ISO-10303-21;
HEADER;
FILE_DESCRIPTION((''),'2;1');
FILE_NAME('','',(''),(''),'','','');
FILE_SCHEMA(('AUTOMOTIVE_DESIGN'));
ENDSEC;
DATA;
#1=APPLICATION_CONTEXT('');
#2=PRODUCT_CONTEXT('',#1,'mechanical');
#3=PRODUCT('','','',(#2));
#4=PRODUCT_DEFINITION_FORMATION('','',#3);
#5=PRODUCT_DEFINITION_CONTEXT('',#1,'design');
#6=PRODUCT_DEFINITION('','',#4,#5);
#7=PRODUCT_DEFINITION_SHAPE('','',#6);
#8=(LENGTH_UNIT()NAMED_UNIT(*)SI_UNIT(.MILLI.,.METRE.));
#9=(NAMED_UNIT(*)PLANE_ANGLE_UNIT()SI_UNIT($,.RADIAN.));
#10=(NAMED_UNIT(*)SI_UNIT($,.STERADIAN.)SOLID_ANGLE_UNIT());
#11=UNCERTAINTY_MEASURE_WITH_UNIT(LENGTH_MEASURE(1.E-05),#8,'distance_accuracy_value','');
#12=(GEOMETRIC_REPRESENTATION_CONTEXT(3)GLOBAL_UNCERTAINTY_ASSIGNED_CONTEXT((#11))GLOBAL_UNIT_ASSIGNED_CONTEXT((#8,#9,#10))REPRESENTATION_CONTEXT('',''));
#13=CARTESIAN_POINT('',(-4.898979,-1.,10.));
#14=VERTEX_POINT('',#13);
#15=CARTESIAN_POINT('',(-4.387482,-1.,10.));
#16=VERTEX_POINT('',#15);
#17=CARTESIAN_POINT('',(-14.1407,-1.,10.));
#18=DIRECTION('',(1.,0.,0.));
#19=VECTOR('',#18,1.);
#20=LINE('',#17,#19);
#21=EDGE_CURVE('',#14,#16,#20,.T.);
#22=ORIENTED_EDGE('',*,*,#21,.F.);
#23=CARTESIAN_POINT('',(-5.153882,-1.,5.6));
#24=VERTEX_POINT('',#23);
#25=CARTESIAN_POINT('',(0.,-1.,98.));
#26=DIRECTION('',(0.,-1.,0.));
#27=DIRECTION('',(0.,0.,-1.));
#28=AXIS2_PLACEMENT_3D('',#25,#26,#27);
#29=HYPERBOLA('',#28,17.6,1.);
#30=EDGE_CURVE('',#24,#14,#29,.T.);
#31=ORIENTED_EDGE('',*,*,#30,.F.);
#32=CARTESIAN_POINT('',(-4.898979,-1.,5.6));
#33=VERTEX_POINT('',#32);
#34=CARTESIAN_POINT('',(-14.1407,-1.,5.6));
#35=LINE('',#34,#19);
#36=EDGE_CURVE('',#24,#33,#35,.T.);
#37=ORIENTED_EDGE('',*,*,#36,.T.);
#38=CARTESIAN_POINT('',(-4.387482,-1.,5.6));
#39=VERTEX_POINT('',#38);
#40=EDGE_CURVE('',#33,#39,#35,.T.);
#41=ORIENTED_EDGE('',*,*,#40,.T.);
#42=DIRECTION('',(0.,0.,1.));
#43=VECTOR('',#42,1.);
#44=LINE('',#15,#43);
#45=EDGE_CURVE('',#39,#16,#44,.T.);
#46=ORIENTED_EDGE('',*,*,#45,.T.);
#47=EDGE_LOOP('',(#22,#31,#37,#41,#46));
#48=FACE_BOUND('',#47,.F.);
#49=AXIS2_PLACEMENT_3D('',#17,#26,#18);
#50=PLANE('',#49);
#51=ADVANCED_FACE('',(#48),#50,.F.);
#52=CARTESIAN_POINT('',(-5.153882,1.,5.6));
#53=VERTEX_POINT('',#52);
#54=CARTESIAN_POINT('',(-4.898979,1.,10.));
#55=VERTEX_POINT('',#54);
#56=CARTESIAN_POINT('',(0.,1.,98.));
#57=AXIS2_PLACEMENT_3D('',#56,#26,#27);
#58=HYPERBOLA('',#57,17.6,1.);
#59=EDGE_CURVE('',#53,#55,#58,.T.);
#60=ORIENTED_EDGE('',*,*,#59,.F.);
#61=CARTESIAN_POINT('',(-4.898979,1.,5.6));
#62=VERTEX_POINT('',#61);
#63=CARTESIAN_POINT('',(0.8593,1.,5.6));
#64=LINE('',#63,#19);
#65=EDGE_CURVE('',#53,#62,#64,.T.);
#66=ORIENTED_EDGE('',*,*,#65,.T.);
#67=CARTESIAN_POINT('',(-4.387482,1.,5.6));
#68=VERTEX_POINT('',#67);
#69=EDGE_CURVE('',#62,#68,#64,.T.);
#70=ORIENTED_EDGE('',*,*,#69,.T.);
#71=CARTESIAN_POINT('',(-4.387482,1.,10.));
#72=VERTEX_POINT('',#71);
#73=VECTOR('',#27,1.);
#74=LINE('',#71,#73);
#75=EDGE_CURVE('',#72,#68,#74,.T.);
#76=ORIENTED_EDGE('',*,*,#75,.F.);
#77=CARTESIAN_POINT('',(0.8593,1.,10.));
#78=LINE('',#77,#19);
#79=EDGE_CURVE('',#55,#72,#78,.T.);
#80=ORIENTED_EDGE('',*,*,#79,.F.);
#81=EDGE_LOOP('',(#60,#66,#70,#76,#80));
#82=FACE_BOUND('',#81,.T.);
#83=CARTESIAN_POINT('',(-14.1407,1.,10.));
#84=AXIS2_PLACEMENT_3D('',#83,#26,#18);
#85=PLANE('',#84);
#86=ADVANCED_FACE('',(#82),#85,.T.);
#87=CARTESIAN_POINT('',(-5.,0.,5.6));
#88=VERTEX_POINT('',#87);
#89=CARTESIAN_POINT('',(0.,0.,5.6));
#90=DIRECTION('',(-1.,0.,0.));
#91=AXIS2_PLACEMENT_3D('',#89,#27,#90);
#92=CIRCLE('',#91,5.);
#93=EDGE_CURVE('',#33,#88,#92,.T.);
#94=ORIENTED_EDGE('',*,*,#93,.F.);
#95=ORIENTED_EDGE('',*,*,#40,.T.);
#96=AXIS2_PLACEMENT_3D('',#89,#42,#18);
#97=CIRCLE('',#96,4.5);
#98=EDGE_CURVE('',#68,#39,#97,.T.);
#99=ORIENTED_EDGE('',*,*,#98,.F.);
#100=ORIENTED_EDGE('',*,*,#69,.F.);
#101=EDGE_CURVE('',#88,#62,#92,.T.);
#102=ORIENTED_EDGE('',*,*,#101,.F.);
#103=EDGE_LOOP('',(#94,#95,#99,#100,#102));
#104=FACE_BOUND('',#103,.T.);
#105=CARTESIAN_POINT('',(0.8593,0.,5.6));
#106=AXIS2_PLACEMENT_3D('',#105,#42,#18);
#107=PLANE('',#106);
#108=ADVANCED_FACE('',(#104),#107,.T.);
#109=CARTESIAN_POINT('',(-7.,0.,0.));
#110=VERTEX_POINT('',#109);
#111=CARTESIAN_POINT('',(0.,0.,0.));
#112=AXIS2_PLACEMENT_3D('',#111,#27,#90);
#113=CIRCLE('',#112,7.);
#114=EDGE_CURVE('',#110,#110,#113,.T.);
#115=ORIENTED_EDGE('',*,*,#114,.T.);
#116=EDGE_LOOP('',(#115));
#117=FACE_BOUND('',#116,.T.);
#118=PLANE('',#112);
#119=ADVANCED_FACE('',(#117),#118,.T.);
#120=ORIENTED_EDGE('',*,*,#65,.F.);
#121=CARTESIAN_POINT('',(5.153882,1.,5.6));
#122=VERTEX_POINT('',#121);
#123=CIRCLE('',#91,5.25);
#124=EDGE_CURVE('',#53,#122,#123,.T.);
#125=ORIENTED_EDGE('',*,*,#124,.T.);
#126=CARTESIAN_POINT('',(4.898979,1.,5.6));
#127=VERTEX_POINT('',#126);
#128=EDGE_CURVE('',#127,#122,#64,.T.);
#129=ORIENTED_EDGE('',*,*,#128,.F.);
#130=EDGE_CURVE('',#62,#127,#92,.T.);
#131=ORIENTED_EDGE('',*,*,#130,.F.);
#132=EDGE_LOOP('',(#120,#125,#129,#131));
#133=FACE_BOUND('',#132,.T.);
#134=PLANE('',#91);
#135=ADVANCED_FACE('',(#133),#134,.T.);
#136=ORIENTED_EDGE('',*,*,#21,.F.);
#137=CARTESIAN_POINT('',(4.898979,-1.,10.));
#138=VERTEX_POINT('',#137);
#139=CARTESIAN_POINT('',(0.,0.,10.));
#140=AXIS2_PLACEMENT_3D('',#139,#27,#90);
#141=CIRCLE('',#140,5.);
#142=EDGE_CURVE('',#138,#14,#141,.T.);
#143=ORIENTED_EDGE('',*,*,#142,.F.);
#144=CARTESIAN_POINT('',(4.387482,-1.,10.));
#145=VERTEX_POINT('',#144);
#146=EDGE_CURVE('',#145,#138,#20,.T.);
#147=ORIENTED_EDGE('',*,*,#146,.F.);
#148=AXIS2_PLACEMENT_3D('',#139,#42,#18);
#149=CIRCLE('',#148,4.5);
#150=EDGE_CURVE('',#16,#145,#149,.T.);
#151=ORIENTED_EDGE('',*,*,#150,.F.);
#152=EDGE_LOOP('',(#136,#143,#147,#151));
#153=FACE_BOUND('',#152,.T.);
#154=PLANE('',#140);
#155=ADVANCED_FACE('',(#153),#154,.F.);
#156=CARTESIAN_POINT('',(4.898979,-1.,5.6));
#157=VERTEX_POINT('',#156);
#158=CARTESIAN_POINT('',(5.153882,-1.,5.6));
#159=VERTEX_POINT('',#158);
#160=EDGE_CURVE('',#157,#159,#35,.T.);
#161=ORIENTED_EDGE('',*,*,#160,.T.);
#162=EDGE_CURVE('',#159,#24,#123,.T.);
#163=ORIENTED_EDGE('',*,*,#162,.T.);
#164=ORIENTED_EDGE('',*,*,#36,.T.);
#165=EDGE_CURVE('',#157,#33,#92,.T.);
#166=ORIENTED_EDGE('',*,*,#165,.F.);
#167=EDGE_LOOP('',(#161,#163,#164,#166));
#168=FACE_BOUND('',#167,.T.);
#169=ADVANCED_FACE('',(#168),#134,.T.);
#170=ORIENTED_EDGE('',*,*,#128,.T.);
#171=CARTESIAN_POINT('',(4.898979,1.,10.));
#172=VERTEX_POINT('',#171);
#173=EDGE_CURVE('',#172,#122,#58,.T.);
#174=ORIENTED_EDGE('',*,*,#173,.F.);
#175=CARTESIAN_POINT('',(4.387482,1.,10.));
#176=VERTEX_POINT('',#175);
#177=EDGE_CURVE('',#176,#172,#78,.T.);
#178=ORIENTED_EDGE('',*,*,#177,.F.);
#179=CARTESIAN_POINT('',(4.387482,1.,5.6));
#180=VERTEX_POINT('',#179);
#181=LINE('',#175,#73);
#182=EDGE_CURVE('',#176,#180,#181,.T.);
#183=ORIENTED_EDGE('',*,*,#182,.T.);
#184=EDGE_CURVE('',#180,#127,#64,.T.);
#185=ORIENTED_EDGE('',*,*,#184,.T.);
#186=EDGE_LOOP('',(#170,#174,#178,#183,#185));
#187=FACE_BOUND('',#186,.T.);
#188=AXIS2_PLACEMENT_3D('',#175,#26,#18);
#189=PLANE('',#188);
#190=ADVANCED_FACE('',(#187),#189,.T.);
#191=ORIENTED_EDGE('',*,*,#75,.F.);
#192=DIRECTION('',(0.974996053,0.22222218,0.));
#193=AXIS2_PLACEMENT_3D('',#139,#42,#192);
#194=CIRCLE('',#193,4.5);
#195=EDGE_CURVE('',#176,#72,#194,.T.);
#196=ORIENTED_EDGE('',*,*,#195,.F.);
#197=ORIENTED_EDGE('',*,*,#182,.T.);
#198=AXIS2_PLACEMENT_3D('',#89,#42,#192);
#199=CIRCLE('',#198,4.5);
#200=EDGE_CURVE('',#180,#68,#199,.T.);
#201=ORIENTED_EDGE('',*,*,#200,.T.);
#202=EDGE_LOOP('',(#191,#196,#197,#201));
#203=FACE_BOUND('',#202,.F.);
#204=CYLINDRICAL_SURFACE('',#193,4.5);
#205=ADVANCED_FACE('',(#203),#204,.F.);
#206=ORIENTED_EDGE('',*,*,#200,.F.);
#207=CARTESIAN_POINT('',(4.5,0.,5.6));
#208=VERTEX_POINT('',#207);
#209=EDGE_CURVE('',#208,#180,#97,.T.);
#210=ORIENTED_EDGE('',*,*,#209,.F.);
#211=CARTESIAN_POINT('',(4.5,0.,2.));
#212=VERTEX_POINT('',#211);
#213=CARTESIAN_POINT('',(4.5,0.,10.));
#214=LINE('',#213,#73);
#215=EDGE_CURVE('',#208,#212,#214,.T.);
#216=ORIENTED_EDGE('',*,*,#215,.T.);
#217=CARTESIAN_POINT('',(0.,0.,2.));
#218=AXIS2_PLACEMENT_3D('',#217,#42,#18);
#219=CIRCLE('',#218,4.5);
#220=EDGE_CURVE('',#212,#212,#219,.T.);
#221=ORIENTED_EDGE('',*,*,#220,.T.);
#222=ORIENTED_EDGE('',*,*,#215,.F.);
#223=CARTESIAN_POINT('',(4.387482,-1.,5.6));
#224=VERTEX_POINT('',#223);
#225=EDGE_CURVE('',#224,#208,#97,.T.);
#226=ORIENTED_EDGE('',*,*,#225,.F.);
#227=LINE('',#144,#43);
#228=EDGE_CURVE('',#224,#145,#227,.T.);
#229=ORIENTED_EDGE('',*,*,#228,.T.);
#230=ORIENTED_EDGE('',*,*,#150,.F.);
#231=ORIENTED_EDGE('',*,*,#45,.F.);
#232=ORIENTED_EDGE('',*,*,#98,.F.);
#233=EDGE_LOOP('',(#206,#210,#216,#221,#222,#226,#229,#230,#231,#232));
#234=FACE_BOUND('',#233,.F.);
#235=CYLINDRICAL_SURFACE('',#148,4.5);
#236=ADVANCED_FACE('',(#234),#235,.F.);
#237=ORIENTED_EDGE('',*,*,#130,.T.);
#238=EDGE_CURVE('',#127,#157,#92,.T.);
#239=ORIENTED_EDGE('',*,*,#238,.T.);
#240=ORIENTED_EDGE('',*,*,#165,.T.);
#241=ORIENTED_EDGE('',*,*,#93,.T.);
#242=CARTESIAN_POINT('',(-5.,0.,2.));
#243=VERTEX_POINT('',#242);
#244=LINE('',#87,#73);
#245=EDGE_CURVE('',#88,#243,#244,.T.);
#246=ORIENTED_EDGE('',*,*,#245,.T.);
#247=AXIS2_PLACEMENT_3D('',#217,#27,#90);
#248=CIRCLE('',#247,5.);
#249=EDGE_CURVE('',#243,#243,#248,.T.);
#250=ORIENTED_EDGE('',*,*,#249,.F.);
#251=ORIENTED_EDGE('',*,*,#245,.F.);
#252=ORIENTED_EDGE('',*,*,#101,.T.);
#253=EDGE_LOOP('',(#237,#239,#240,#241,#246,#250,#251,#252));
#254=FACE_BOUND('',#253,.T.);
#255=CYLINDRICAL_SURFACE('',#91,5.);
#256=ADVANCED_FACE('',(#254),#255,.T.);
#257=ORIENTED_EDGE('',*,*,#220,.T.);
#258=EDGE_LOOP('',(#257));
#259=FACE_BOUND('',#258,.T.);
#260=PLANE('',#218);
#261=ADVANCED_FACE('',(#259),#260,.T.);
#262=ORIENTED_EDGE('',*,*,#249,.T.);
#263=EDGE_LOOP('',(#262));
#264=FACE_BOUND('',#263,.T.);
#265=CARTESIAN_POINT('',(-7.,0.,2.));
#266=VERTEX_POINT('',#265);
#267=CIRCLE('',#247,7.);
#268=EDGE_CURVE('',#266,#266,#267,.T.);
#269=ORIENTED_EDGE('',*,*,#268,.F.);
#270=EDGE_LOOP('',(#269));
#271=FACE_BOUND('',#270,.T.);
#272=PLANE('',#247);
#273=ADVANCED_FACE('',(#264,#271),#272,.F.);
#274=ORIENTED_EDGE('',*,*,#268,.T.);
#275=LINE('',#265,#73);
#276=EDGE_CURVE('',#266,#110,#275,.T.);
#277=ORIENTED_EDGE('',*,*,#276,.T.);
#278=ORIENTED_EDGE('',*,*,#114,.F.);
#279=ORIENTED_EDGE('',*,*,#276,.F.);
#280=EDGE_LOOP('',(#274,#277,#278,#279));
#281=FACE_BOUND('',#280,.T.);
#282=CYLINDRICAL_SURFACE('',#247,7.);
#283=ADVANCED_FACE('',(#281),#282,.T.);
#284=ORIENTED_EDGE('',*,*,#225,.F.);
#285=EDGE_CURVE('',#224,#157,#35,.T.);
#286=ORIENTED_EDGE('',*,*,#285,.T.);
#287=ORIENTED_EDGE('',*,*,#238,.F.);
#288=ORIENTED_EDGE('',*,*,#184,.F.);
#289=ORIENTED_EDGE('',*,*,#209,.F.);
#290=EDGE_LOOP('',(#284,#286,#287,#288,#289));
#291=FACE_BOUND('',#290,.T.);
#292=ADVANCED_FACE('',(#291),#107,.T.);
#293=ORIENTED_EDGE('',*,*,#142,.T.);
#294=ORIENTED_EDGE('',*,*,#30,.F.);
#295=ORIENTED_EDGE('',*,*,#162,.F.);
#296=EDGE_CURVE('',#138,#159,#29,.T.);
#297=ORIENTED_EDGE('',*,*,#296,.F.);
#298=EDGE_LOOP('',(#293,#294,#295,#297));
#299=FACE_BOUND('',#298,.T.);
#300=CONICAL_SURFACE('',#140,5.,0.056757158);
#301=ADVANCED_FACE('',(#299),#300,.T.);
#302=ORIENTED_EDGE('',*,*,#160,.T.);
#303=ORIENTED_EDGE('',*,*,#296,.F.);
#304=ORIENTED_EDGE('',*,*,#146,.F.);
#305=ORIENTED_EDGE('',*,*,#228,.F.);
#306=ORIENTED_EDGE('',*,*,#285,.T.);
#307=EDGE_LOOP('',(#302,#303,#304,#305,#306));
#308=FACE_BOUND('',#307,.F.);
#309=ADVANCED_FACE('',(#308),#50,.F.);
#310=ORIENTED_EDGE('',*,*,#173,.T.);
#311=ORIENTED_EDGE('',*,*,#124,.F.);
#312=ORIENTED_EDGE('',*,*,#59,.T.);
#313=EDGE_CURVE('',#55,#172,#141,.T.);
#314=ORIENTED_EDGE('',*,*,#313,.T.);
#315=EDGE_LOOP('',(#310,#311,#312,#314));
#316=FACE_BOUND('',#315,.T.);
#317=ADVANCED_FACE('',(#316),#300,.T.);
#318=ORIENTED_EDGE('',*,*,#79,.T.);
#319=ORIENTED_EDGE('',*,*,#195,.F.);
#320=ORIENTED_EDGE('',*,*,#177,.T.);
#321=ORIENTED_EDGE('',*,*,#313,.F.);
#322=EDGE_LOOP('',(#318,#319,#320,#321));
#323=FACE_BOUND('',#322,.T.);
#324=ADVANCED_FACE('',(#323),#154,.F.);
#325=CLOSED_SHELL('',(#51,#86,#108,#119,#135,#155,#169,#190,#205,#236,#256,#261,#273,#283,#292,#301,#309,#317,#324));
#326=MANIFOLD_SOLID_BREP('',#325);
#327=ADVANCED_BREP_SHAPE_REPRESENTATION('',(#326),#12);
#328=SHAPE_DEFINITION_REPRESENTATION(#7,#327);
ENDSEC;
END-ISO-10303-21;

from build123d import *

# Parameters (mm, degrees)
F2_R     = 4.5
F3_DEPTH = 8
F4_W     = 30
F4_H     = 2
F5_DEPTH = 4.4


with BuildPart() as f1:
    # F0 (on Front) → F1 (revolve)
    with BuildSketch(Plane.XZ):
        Polygon((-7, 0), (0, 0), (0, 10), (-5, 10), (-5.25, 5.6), (-5, 5.6), (-5, 2), (-7, 2), align=None)
    revolve(axis=Axis((0, 0, 5), (0, 0, -1)))

    # F2 (on face) → F3 (cut)
    with BuildSketch(Plane.XY.offset(10)):
        Circle(F2_R)
    extrude(amount=-F3_DEPTH, mode=Mode.SUBTRACT)

    # F4 (on face) → F5 (cut)
    with BuildSketch(Plane.XY.offset(10)):
        with Locations((0.8593, 0)):
            Rectangle(F4_W, F4_H)
        with BuildLine():
            Line((-4.387482, 1), (4.387482, 1))
            ThreePointArc((4.387482, 1), (0, 4.5), (-4.387482, 1))
        make_face()
        with BuildLine():
            Line((15.8593, -1), (15.8593, 1))
            Line((15.8593, 1), (4.387482, 1))
            ThreePointArc((4.387482, 1), (4.471782, 0.503155), (4.5, 0))
            ThreePointArc((4.5, 0), (4.471782, -0.503155), (4.387482, -1))
            Line((4.387482, -1), (15.8593, -1))
        make_face()
    extrude(amount=-F5_DEPTH, mode=Mode.SUBTRACT)


solid = f1.part
